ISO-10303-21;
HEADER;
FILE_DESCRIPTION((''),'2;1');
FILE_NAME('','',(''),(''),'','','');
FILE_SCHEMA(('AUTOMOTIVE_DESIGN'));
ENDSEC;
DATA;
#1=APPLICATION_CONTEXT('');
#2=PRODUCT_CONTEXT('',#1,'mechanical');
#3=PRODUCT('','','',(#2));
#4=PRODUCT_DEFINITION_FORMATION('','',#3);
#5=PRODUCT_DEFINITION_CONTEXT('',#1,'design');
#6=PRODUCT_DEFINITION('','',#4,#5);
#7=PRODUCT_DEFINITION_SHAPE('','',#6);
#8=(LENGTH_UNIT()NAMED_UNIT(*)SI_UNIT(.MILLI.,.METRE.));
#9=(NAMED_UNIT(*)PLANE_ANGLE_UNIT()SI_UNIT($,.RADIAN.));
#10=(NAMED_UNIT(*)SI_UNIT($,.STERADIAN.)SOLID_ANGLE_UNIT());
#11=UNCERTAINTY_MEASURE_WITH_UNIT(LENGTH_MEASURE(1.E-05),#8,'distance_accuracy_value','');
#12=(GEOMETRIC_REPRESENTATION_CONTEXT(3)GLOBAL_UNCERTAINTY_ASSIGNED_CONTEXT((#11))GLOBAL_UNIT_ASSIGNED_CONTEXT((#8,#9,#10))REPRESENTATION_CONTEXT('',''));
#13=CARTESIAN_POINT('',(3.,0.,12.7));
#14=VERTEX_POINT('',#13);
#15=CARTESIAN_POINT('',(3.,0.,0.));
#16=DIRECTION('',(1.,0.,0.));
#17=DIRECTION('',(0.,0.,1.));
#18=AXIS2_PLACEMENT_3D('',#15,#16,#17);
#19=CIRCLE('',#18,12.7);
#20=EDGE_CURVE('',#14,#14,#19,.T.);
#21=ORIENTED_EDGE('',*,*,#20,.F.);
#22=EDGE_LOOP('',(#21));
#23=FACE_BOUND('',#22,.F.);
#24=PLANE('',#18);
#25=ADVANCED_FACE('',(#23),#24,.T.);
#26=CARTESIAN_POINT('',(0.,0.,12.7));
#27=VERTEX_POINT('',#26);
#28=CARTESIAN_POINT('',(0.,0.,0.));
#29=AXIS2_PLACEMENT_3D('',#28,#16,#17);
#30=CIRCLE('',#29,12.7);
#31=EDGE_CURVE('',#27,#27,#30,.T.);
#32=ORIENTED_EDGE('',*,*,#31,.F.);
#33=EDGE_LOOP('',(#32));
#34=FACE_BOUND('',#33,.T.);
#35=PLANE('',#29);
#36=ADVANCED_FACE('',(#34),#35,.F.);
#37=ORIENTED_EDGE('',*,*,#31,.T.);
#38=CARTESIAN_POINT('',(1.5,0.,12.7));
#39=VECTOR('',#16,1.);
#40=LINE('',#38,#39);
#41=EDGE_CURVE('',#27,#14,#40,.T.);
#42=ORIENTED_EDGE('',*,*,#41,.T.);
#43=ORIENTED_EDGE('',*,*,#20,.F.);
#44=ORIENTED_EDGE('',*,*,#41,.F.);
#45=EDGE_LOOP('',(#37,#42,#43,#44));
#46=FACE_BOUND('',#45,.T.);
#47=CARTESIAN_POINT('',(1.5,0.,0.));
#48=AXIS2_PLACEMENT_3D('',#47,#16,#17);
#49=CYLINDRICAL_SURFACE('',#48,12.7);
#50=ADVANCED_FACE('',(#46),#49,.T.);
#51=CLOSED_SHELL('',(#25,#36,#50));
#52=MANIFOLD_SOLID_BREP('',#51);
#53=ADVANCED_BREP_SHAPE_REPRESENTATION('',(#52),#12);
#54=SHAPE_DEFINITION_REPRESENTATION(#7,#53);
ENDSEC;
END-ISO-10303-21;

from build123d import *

# Parameters (mm, degrees)
SKETCH_1_W = 3
SKETCH_1_H = 12.7


with BuildPart() as part:
    # 草图1 → 旋转2 (revolve)
    with BuildSketch(Plane.XY, mode=Mode.PRIVATE) as revolve_2_sk:
        with Locations((1.5, 6.35)):
            Rectangle(SKETCH_1_W, SKETCH_1_H)
    revolve(revolve_2_sk.sketch.rotate(Axis((0, 0, 0), (1, 0, 0)), 90), axis=Axis((0, 0, 0), (1, 0, 0)))  # turned: the seam where the file's is


solid = part.part
